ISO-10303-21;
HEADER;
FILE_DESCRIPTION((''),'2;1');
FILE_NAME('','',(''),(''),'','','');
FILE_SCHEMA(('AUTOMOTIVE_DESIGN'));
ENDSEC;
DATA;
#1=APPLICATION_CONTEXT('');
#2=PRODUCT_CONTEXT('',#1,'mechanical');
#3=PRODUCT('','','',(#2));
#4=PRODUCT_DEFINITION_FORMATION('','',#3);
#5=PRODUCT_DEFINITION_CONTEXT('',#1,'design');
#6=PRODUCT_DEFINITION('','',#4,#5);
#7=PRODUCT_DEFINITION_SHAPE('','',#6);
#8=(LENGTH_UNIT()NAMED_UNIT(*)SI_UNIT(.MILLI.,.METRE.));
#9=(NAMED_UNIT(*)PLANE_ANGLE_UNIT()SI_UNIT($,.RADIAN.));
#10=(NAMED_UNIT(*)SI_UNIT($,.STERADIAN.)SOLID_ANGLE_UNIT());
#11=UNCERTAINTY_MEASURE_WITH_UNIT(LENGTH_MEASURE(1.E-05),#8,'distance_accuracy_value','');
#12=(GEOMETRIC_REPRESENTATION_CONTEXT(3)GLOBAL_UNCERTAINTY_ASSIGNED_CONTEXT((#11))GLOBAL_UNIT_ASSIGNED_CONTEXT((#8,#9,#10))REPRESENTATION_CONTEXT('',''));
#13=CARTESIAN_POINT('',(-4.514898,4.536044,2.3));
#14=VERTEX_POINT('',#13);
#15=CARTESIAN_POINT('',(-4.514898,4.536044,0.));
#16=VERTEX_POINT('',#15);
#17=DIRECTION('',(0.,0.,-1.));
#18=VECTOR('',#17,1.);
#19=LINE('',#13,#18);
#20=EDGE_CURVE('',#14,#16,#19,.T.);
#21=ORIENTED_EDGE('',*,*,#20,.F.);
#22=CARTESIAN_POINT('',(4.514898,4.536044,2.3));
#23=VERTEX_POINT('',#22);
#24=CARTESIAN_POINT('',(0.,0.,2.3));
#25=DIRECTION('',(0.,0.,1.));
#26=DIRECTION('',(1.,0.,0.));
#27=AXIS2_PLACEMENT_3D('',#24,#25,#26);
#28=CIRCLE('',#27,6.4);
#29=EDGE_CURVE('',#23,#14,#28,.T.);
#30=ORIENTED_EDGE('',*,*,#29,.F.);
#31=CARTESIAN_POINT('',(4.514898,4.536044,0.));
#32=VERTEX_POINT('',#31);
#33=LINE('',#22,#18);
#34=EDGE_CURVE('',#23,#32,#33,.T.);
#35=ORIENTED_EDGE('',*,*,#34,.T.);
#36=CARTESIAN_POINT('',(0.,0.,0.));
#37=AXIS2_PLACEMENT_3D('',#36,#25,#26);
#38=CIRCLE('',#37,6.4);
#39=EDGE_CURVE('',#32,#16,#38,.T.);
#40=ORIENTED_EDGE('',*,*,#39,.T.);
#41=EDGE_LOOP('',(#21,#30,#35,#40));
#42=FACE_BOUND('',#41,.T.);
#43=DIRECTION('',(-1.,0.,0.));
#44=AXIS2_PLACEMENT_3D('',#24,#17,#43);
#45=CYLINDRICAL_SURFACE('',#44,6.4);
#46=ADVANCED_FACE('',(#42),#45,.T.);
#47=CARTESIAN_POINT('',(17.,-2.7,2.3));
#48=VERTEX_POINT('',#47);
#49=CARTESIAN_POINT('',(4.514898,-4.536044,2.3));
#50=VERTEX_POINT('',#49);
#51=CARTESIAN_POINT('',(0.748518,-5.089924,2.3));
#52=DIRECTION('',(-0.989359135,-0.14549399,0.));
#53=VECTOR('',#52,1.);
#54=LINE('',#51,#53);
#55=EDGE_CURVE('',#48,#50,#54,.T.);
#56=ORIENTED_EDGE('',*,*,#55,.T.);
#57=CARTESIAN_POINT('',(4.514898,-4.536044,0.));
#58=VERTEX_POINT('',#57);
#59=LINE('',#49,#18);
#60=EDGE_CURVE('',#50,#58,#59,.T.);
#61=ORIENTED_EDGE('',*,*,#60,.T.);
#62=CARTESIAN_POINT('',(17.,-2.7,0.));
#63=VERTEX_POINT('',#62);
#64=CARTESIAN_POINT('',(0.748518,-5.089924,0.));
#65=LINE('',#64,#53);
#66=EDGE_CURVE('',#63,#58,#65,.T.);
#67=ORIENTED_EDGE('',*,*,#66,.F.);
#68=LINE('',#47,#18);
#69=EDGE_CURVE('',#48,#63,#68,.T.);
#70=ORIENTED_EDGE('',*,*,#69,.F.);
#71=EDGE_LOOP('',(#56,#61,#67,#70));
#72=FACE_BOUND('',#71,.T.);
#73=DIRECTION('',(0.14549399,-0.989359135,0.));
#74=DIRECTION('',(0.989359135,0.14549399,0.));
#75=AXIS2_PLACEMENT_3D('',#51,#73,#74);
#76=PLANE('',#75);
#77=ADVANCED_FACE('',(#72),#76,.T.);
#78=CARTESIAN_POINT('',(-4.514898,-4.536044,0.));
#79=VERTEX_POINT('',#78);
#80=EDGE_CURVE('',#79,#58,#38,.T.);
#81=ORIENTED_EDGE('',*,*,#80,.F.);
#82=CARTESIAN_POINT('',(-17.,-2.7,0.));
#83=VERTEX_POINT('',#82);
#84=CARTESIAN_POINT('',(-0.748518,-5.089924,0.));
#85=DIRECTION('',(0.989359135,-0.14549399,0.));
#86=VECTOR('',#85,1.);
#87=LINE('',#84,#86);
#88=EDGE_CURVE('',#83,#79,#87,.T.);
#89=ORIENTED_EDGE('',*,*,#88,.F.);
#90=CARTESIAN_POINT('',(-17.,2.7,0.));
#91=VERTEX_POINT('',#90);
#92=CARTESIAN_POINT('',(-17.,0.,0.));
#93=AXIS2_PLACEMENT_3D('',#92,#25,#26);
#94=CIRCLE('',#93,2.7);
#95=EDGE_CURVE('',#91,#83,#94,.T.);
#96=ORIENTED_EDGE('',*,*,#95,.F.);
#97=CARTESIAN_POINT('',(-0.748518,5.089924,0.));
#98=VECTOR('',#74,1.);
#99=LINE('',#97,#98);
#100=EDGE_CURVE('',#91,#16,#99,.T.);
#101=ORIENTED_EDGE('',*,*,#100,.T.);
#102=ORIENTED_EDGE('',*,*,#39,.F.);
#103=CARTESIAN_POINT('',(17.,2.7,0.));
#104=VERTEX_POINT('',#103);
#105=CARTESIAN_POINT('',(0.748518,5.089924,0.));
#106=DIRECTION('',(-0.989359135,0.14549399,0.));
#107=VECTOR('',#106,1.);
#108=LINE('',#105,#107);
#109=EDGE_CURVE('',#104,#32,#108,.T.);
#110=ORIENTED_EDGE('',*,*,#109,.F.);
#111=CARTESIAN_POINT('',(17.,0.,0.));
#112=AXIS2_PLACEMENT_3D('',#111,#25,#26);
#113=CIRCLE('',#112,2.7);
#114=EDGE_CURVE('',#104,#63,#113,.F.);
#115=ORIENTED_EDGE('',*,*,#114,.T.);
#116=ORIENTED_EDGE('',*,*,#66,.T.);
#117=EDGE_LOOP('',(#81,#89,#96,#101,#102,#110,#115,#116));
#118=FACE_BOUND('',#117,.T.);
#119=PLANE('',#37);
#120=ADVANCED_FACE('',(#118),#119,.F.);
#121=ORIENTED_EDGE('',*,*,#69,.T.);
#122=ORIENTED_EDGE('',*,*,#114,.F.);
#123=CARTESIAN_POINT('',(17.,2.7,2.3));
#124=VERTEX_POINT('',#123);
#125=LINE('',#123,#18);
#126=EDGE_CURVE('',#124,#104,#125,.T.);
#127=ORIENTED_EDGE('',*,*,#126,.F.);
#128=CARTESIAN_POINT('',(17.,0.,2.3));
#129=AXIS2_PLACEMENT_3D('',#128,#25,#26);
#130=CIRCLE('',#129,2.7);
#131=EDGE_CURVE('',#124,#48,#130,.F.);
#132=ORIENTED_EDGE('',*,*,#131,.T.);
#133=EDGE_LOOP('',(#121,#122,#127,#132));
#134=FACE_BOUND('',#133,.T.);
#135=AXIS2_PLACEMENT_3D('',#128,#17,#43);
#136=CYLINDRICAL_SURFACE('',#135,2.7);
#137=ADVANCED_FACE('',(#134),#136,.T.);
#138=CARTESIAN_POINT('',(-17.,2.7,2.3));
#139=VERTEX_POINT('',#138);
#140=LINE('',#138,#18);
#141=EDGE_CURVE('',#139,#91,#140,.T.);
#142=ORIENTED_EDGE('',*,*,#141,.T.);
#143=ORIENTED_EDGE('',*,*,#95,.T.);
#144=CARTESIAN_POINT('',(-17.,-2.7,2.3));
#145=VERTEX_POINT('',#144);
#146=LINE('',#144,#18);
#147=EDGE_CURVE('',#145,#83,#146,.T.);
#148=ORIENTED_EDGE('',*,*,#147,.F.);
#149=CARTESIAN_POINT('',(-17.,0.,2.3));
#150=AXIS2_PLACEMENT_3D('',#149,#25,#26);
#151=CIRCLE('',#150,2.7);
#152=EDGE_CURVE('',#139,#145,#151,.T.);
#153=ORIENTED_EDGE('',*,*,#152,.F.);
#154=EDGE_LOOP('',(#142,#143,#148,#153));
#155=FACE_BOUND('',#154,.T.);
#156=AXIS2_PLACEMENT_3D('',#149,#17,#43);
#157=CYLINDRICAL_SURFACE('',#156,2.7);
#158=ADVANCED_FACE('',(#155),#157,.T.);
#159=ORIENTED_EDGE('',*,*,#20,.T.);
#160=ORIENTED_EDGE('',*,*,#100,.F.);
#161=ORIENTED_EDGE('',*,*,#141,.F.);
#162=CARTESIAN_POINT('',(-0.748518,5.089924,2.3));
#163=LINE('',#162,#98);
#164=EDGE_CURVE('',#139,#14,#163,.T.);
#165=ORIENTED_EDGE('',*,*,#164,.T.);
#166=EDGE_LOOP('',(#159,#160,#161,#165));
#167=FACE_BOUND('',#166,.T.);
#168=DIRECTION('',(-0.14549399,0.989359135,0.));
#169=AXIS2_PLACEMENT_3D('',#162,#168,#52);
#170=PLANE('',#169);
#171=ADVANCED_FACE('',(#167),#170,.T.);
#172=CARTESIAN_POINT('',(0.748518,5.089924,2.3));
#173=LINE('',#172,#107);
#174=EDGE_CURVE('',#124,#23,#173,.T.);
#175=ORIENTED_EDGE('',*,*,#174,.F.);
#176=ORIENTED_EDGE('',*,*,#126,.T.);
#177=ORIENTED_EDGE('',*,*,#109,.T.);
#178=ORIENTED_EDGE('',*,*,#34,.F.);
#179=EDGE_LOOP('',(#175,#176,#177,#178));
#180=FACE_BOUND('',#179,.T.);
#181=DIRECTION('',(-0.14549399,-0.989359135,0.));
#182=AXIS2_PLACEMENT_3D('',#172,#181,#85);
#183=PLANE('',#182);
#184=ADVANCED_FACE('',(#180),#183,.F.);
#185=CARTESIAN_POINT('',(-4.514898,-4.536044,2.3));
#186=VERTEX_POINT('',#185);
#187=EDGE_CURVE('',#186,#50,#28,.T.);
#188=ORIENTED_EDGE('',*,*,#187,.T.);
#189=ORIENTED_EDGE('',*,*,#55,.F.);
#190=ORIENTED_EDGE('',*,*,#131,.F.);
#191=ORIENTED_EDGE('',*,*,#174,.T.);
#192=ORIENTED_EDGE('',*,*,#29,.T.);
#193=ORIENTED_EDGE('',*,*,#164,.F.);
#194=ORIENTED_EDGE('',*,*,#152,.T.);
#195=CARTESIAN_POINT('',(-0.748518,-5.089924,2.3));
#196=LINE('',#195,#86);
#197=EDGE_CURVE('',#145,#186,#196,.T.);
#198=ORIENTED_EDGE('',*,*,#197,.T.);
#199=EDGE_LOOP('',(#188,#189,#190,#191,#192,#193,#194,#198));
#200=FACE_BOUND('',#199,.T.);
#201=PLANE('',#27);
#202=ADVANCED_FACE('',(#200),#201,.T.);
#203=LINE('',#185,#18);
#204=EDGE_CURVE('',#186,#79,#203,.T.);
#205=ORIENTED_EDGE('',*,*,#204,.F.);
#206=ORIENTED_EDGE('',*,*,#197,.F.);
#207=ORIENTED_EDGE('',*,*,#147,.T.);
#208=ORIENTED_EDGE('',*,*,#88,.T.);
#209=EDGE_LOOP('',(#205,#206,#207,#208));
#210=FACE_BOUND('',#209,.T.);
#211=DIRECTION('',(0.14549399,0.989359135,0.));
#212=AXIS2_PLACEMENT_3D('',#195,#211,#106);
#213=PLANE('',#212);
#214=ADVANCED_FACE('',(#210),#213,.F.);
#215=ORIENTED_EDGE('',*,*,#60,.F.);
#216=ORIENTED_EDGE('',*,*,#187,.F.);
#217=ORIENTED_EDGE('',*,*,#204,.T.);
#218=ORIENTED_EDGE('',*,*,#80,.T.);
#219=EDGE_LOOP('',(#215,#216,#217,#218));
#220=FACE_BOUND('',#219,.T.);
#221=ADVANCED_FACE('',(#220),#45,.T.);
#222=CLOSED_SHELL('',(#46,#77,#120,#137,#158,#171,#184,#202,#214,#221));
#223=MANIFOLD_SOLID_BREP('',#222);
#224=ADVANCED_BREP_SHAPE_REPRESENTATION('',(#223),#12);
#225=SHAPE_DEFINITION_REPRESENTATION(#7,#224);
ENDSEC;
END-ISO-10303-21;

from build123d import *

# Parameters (mm, degrees)
BOSS_EXTRUDE1_DEPTH = 2.3


with BuildPart() as part:
    # Sketch1 → Boss-Extrude1 (new body)
    with BuildSketch(Plane.XY):
        with BuildLine():
            ThreePointArc((-17, 2.7), (-19.7, 0), (-17, -2.7))
            Line((-17, -2.7), (-4.514897629, -4.536044466))
            ThreePointArc((-4.514897629, -4.536044466), (0, -6.4), (4.514897629, -4.536044466))
            Line((4.514897629, -4.536044466), (17, -2.7))
            ThreePointArc((17, -2.7), (19.7, 0), (17, 2.7))
            Line((17, 2.7), (4.514897629, 4.536044466))
            ThreePointArc((4.514897629, 4.536044466), (0, 6.4), (-4.514897629, 4.536044466))
            Line((-4.514897629, 4.536044466), (-17, 2.7))
        make_face()
    extrude(amount=BOSS_EXTRUDE1_DEPTH)


solid = part.part
